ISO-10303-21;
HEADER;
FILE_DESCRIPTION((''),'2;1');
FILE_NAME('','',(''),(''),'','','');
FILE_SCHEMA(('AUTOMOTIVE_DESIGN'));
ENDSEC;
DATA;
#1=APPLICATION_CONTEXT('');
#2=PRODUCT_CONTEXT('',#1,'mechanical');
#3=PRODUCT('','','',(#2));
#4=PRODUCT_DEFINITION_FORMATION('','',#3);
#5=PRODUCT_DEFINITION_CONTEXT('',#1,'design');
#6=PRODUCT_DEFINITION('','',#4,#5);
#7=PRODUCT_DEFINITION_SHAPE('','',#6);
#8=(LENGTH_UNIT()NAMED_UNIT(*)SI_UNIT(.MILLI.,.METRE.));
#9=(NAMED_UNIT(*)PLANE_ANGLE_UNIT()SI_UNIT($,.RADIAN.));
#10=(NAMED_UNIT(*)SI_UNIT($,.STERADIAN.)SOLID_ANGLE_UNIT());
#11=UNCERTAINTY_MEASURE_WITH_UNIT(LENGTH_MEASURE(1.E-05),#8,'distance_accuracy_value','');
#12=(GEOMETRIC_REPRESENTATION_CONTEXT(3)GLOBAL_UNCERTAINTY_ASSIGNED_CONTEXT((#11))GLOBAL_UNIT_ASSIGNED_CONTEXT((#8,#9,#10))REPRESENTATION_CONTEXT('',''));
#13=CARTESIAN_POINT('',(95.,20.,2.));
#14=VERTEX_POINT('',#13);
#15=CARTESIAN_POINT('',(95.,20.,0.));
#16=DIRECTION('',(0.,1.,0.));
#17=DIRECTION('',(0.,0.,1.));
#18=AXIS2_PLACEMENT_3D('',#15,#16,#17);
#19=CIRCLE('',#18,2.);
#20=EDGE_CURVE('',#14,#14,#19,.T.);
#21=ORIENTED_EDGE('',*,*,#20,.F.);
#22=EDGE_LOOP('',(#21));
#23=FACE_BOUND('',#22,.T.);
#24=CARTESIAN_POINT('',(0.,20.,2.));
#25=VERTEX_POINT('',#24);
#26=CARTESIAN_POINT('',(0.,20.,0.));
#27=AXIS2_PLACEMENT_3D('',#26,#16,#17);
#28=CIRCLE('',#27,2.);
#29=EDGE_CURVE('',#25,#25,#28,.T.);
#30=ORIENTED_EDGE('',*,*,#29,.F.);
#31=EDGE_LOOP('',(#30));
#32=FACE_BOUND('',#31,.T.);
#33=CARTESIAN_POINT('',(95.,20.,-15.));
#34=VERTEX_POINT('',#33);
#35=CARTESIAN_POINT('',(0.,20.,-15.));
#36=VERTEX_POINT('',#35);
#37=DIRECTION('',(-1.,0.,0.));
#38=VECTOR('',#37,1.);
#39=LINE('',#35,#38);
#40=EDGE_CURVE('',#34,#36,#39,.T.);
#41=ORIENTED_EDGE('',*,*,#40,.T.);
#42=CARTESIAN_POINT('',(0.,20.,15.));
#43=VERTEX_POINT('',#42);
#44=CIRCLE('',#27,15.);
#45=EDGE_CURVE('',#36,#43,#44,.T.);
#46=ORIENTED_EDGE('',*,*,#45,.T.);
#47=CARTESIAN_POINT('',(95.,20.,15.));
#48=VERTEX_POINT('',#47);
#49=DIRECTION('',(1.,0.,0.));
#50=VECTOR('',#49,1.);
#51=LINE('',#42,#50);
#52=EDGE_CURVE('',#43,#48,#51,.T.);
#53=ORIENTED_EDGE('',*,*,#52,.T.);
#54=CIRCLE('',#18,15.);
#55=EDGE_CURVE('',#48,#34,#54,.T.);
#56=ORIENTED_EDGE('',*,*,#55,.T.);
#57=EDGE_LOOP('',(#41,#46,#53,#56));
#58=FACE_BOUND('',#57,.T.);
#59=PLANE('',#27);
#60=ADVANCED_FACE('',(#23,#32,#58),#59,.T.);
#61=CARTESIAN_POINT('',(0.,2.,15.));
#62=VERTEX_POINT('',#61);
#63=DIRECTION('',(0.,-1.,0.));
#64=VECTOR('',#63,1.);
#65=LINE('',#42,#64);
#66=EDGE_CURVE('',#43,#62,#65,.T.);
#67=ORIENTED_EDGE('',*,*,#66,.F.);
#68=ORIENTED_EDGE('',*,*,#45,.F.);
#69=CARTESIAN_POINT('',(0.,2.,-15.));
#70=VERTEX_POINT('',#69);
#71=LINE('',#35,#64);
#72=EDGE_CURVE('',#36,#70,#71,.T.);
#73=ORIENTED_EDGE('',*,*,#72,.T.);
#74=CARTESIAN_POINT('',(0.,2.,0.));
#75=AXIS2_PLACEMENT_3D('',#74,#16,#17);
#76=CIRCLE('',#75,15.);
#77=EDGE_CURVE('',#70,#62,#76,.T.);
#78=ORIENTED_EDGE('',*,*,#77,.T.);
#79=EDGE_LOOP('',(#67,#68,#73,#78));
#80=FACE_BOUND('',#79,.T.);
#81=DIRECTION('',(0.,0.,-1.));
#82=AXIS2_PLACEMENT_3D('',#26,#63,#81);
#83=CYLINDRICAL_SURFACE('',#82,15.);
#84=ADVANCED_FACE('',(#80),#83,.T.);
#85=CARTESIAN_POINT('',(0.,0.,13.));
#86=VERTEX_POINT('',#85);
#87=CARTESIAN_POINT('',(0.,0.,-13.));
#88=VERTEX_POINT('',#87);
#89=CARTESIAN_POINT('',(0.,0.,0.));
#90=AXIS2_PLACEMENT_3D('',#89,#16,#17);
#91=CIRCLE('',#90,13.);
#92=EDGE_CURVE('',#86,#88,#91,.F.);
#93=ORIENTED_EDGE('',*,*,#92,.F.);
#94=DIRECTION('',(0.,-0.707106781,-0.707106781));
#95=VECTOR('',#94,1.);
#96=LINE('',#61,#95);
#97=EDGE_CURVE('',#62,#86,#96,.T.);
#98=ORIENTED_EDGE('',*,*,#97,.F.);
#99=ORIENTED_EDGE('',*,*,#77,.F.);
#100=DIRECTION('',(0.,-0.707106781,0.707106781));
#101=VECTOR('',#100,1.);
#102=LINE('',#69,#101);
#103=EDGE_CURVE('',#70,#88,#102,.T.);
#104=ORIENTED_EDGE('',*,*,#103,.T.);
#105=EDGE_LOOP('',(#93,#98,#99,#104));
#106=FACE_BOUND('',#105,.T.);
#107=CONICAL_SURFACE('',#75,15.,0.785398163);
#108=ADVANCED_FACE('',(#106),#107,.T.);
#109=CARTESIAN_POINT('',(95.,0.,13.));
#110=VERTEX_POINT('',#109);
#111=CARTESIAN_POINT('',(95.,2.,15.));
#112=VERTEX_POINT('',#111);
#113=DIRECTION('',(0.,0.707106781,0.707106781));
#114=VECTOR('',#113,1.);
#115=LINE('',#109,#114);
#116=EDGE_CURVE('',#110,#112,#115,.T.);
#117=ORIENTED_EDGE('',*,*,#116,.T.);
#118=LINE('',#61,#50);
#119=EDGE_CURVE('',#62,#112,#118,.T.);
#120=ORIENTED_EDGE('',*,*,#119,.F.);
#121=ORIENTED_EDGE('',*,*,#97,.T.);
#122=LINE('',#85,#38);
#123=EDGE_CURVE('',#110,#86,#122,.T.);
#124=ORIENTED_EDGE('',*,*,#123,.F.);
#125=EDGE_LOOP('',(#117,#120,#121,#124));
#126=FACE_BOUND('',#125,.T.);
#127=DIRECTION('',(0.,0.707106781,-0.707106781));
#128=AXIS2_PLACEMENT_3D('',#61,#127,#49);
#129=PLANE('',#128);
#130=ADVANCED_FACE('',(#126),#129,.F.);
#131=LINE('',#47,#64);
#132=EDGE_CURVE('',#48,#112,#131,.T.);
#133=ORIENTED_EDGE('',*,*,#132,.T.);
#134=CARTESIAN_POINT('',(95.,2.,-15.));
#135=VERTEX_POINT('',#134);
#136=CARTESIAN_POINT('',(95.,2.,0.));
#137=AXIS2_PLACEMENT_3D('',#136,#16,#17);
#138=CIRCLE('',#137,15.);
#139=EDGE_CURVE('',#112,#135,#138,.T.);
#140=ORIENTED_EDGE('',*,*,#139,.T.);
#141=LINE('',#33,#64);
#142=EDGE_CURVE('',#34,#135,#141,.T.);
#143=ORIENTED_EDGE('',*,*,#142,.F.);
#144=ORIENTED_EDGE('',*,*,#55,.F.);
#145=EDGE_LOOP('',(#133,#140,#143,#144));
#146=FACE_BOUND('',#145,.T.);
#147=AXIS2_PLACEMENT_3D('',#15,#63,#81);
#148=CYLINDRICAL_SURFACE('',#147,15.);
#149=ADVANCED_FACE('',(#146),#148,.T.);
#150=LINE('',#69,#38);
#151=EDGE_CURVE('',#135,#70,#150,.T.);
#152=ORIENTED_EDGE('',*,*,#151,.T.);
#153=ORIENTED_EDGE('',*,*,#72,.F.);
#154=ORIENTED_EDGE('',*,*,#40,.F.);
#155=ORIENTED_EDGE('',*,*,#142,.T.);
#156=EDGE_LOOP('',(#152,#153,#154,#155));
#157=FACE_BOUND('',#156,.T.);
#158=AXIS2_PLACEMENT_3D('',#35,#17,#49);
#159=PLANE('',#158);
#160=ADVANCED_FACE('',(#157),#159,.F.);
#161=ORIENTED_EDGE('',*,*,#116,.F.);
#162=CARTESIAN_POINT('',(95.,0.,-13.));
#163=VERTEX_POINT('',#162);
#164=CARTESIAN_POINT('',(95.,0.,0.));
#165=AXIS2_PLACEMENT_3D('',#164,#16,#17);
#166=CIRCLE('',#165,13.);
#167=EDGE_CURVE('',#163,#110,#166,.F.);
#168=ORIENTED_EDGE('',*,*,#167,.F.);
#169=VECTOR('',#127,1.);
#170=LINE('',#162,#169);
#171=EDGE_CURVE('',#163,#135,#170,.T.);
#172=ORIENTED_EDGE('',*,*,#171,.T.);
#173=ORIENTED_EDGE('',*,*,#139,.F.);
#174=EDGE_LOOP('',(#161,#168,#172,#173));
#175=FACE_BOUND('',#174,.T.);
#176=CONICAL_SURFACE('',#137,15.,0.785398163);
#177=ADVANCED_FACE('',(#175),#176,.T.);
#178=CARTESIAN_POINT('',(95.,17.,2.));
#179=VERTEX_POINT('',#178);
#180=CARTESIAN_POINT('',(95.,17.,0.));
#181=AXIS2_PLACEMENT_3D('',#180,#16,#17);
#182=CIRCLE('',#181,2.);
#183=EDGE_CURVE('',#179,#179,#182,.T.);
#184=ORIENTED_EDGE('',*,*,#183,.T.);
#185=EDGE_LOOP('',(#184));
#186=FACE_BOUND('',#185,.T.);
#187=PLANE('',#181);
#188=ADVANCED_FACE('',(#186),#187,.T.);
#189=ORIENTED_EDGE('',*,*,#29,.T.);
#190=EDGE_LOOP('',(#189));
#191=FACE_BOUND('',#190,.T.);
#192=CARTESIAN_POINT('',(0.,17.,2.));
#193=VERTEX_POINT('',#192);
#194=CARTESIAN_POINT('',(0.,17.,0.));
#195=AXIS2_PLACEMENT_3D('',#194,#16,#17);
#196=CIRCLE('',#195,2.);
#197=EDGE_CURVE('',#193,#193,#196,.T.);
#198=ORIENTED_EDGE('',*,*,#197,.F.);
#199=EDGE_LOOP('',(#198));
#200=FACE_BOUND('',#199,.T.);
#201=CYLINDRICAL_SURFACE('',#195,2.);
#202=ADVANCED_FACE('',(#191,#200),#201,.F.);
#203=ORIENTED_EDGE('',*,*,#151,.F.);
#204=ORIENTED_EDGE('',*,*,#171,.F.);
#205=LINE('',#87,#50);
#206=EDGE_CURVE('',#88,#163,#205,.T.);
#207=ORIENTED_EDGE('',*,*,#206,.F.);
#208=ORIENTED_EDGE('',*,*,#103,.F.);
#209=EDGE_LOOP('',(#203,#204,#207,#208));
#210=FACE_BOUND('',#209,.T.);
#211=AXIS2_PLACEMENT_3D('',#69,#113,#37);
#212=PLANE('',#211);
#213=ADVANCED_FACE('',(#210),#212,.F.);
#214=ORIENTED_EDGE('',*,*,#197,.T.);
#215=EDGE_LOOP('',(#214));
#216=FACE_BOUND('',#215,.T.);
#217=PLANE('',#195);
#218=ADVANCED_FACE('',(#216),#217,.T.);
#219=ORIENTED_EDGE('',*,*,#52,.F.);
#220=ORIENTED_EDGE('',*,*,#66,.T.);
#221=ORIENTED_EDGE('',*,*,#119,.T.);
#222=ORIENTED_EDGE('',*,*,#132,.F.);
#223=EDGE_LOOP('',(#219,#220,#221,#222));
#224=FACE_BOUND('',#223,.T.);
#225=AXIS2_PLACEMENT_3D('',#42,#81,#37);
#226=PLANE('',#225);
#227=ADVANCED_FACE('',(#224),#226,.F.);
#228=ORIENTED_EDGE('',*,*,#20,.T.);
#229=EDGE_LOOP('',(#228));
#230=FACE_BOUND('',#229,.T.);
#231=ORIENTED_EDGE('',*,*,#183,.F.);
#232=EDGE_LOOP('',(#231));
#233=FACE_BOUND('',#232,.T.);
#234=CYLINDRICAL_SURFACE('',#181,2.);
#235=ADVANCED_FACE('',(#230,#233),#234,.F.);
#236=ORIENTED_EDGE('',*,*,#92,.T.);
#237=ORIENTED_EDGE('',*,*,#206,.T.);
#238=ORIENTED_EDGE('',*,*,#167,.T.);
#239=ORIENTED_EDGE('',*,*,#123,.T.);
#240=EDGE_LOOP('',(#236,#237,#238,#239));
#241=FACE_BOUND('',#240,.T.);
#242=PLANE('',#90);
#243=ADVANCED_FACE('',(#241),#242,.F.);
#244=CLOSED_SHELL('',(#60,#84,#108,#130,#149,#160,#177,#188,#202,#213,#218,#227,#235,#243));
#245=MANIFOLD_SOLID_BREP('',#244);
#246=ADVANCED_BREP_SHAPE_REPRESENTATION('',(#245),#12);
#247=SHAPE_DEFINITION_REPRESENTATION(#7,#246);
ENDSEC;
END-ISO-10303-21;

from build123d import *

# Parameters (mm, degrees)
EXTRUDE_1_DEPTH     = 20
SKETCH_3_R          = 2
CUT_EXTRUDE_1_DEPTH = 3
CHAMFER_1_SIZE      = 2


with BuildPart() as part:
    # 草图1 → 凸台-拉伸1 (new body)
    with BuildSketch(Plane(origin=(0, 0, 0), x_dir=(1, 0, 0), z_dir=(0, 1, 0))):
        with BuildLine():
            Line((0, 15), (95, 15))
            ThreePointArc((95, 15), (110, 0), (95, -15))
            Line((95, -15), (0, -15))
            ThreePointArc((0, -15), (-15, 0), (0, 15))
        make_face()
    extrude(amount=EXTRUDE_1_DEPTH)

    # 草图3 → 切除-拉伸1 (cut)
    with BuildSketch(Plane(origin=(0, 20, 0), x_dir=(1, 0, 0), z_dir=(0, 1, 0))):
        with Locations(Location((0, 0, 0), (0, 0, 270))):
            Circle(SKETCH_3_R)
        with Locations(Location((95, 0, 0), (0, 0, 270))):
            Circle(SKETCH_3_R)
    extrude(amount=-CUT_EXTRUDE_1_DEPTH, mode=Mode.SUBTRACT)

    # 倒角1
    chamfer_1_edges = [part.edges().sort_by_distance(p)[0] for p in [
        (47.5, 0, -15),
        (110, 0, 0),
        (47.5, 0, 15),
        (-15, 0, 0),
    ]]
    chamfer(chamfer_1_edges, length=CHAMFER_1_SIZE)


solid = part.part
